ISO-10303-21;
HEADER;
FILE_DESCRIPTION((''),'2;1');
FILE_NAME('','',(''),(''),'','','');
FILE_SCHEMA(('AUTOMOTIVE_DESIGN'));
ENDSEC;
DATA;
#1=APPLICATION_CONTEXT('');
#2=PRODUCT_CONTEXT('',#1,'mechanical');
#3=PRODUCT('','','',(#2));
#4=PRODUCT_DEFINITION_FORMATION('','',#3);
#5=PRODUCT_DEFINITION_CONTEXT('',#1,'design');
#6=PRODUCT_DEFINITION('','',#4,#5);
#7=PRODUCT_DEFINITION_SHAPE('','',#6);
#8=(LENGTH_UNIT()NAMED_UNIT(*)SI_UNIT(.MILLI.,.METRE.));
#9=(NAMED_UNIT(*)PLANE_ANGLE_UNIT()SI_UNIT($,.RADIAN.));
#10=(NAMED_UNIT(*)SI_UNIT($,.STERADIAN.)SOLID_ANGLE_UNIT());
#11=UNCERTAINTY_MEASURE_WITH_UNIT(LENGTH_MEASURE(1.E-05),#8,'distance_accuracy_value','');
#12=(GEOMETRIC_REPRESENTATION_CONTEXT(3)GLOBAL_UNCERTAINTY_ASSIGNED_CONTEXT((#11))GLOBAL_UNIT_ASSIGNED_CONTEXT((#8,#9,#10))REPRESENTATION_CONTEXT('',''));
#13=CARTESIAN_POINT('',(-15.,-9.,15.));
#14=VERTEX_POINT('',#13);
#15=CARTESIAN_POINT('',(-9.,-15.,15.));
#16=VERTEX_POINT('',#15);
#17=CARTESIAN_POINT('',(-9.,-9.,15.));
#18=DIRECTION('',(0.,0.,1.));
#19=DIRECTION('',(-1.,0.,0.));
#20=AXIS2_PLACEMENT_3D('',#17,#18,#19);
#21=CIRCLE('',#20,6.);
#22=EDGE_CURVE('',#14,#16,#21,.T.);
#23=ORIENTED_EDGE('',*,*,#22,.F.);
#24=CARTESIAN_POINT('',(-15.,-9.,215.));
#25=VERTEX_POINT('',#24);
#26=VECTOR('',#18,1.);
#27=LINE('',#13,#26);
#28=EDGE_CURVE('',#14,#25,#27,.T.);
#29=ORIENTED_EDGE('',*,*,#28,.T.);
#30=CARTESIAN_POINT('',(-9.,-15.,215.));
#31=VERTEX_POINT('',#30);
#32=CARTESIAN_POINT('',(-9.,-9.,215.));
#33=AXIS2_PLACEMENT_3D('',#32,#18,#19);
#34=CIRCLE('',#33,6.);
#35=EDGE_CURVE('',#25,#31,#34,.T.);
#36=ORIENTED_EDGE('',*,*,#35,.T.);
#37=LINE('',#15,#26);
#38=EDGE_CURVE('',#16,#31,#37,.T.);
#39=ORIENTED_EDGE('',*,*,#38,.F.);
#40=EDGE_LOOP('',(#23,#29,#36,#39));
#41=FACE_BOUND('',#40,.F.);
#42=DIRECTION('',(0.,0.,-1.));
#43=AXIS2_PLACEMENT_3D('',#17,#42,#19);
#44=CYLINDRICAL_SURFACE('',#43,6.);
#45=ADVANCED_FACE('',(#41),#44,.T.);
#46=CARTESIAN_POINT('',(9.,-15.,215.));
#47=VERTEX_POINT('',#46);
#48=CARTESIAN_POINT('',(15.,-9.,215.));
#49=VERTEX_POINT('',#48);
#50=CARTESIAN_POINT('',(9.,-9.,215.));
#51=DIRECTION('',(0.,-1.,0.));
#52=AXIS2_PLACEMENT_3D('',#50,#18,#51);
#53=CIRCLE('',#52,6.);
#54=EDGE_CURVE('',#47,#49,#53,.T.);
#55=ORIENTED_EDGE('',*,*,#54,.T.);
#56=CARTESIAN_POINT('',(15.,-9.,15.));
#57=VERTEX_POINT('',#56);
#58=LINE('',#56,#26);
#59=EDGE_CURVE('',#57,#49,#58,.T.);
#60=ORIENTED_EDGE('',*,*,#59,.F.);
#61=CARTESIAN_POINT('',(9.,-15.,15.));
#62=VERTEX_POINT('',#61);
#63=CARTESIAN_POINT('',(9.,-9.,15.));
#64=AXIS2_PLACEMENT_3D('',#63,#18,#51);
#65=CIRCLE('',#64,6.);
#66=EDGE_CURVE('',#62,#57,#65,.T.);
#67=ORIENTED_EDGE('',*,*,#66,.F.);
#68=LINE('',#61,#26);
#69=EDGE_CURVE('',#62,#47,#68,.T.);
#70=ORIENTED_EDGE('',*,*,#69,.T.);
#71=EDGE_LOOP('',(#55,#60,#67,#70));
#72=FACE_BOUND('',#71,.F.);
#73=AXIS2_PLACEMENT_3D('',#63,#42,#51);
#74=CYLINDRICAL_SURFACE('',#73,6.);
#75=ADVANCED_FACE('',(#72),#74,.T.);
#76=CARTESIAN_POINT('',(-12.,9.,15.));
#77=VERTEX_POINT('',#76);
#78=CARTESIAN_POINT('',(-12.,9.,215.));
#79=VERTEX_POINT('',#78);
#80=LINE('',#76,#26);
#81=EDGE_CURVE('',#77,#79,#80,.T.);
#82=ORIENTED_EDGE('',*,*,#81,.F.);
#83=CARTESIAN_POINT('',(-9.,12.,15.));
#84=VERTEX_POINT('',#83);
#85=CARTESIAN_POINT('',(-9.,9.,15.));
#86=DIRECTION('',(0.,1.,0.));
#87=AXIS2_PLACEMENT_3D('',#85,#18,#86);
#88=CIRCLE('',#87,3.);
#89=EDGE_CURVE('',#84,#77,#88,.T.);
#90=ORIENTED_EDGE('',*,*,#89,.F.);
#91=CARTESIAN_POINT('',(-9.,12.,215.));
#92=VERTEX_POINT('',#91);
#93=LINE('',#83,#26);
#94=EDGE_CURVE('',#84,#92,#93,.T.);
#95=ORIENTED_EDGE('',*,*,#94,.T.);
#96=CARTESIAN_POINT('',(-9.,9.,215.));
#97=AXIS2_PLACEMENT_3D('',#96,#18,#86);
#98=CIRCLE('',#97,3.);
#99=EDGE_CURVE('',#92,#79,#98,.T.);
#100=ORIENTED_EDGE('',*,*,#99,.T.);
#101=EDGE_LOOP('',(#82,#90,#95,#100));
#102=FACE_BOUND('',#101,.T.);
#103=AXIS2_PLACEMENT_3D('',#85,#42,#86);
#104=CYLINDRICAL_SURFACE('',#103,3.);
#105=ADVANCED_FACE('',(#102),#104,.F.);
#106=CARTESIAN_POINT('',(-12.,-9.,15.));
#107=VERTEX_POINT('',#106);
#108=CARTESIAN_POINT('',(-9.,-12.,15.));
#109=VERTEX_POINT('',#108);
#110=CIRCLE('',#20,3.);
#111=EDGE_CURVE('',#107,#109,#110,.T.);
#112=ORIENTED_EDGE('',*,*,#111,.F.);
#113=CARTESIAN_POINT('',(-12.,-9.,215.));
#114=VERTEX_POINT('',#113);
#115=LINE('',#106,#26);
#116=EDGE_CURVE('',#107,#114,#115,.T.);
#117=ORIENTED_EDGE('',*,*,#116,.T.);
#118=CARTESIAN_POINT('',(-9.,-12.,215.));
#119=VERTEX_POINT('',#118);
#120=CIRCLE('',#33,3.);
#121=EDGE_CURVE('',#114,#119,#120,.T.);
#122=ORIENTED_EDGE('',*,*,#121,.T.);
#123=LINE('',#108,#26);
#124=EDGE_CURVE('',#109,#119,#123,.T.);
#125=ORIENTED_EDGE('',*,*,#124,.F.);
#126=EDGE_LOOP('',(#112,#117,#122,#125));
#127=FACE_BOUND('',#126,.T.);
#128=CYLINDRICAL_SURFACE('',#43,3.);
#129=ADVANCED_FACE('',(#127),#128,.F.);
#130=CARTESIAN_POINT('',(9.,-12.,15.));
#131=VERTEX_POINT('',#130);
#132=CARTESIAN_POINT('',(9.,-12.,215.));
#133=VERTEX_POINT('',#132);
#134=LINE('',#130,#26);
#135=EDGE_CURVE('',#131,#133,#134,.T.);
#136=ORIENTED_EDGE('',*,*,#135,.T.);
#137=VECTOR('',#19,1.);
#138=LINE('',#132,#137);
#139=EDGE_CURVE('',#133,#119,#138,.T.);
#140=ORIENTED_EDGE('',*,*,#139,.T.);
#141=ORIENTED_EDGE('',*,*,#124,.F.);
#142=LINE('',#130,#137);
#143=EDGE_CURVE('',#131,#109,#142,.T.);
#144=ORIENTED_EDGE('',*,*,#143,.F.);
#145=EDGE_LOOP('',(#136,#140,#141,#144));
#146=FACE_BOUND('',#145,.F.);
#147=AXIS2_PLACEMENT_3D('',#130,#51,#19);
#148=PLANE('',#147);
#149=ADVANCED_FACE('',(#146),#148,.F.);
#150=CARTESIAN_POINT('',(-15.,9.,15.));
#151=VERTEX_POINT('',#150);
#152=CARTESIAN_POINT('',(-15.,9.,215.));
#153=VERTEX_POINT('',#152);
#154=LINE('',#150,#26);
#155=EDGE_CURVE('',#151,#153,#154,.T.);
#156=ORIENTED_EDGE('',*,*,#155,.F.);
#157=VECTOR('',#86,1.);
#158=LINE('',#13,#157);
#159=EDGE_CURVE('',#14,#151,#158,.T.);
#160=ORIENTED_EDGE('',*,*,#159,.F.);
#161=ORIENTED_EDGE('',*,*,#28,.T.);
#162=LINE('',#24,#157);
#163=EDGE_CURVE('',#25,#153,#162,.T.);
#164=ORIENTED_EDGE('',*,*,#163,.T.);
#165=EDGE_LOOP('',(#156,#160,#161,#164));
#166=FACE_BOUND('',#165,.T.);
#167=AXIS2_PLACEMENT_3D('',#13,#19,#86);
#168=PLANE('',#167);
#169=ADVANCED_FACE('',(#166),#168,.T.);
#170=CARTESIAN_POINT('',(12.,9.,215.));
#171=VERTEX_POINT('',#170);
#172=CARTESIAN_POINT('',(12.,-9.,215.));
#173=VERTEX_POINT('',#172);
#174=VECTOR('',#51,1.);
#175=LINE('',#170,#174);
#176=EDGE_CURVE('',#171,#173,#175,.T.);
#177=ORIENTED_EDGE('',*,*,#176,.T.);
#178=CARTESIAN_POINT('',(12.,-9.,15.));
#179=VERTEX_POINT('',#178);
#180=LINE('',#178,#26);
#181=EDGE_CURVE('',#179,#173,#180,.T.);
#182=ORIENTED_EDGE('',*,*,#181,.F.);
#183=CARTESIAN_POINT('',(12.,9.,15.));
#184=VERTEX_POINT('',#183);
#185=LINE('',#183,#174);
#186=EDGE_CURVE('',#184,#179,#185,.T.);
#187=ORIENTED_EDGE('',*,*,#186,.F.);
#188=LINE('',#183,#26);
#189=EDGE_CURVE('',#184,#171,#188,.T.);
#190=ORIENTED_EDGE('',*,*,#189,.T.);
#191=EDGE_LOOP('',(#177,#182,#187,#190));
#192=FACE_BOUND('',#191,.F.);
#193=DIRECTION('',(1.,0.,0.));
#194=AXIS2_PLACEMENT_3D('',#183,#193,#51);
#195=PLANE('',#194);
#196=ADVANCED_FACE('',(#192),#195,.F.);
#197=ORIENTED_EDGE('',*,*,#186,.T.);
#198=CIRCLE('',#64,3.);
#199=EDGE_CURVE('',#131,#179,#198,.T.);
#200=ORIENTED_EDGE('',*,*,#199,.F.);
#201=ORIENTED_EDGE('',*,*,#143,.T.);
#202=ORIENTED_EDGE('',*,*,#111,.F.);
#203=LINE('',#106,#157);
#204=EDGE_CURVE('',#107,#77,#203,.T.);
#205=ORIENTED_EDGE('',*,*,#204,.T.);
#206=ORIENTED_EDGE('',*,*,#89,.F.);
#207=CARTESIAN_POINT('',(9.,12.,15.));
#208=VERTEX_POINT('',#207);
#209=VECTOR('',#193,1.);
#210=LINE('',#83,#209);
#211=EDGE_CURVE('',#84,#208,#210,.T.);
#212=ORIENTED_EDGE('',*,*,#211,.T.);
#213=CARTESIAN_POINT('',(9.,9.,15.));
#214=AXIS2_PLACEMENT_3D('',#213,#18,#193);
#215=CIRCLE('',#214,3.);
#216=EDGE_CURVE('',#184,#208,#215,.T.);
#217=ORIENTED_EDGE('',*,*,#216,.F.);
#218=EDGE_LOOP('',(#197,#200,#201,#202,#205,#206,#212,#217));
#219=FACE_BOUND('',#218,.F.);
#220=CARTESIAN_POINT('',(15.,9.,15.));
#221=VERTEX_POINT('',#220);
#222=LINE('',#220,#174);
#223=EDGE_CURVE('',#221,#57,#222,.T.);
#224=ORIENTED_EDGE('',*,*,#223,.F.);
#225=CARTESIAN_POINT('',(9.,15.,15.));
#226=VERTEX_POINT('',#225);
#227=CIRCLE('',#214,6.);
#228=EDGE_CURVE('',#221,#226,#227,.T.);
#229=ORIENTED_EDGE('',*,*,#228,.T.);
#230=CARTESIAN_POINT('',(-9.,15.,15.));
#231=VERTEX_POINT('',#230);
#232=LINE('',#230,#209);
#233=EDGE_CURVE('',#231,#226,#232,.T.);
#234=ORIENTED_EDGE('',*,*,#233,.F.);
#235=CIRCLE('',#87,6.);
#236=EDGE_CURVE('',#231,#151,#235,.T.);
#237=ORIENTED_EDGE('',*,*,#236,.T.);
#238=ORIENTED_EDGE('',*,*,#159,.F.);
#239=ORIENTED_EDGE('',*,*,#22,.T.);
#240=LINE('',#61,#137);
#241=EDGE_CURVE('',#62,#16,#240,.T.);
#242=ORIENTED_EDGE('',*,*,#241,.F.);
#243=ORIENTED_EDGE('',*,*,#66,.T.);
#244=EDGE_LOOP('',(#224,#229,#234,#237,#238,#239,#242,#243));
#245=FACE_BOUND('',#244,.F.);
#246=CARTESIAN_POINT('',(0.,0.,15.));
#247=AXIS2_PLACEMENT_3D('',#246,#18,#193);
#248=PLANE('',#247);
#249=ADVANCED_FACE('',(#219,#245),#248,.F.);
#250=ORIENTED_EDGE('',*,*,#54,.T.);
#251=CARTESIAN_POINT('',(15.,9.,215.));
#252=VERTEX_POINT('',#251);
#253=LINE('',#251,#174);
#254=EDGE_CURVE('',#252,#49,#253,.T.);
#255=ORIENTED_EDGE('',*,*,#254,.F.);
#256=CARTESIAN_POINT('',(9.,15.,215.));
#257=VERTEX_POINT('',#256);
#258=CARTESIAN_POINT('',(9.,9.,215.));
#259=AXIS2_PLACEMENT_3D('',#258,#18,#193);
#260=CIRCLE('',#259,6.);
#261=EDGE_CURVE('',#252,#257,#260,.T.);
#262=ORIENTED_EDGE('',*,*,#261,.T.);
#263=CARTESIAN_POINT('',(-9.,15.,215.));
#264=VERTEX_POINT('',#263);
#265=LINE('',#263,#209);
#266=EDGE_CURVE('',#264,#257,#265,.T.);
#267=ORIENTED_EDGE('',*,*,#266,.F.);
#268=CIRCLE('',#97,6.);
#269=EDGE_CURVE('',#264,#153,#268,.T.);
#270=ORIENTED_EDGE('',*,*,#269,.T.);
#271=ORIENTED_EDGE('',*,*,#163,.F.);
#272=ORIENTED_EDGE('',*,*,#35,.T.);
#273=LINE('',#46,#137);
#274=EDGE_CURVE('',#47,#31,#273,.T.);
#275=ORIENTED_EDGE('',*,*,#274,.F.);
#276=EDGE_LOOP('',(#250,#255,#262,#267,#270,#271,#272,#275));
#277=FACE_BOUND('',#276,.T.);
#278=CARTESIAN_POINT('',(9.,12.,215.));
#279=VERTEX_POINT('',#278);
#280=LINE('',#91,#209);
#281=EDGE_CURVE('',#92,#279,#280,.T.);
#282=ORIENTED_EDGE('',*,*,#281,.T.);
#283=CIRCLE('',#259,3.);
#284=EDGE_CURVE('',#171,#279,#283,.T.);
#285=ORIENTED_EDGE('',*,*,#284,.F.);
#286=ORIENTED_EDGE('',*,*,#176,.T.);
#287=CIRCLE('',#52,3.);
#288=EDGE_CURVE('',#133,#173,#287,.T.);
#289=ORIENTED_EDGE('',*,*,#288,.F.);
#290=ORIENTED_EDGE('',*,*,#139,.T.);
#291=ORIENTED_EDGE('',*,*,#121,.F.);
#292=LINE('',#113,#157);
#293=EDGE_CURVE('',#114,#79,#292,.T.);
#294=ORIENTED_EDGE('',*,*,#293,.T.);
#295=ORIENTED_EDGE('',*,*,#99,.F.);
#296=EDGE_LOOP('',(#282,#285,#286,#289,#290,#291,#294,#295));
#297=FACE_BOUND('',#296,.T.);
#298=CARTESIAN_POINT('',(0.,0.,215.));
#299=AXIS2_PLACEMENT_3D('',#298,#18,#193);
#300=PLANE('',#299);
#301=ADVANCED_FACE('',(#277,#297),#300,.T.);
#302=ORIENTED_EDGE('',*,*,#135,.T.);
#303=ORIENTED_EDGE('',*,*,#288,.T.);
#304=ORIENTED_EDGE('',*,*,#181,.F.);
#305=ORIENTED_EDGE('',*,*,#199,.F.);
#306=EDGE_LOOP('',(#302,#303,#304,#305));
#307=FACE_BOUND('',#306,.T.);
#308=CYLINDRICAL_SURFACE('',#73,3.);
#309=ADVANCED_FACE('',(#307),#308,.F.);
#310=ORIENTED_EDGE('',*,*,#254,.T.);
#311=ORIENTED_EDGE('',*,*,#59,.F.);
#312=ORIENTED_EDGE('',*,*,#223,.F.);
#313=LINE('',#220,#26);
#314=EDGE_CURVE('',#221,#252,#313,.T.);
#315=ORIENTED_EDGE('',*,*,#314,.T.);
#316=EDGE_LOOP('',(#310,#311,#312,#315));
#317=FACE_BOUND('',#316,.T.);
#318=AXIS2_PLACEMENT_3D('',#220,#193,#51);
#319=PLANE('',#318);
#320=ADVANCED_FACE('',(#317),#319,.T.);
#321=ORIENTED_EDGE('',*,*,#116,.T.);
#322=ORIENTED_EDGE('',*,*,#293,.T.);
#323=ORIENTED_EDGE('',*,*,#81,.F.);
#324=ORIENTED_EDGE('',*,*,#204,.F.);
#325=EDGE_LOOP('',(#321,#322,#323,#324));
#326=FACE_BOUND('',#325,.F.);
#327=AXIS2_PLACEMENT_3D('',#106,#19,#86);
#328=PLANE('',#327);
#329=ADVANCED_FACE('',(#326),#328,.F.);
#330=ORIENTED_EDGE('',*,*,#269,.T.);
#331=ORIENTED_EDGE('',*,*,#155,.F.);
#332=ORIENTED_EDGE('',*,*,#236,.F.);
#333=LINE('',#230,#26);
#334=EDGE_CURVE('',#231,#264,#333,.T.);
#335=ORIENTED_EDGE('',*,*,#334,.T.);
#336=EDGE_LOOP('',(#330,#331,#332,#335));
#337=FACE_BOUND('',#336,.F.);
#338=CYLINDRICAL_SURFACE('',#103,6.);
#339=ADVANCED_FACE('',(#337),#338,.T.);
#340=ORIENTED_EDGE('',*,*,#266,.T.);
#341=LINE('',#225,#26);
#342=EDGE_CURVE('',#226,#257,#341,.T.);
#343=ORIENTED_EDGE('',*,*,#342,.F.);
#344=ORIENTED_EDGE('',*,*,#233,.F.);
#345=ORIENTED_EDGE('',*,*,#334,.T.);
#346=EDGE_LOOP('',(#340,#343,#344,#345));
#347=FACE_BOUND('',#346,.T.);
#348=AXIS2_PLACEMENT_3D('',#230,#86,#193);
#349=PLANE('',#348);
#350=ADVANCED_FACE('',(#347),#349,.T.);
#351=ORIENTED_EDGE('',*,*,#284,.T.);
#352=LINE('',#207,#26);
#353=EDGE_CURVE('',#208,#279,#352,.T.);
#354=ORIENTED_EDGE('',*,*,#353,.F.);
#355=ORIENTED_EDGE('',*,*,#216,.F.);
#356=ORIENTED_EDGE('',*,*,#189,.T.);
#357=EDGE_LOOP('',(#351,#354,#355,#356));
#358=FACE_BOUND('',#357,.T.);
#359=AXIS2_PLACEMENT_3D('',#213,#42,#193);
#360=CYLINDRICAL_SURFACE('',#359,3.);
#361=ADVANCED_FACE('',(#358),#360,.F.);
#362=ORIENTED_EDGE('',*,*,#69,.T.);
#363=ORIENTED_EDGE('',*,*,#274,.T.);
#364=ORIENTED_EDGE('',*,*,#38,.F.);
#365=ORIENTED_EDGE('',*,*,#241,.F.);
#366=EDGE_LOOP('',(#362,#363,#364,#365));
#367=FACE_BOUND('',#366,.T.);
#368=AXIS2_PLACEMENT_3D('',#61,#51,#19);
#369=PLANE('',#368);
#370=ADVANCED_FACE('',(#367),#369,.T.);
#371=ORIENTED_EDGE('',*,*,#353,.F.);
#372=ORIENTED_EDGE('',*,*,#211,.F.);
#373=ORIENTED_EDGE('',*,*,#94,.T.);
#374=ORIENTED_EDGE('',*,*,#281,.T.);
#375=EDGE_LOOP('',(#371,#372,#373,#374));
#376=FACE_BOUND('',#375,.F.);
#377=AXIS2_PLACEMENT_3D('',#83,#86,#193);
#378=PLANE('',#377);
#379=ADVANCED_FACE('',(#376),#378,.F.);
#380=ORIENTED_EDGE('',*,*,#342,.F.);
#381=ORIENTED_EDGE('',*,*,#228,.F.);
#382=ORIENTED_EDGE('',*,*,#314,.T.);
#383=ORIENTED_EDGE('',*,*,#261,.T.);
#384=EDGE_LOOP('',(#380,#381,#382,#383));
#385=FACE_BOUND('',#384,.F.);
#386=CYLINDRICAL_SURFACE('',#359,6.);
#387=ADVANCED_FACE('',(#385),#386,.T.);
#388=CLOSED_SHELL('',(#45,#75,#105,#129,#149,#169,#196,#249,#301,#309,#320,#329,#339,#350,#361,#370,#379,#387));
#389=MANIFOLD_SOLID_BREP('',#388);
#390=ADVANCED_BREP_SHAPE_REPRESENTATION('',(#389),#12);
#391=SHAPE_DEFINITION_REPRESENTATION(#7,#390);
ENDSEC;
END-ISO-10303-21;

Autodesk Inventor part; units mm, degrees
ref_plane "Start Plane" through (0, 0, 15) normal (0, 0, 1) x (1, 0, 0)
ref_plane "End Plane" through (0, 0, 215) normal (0, 0, 1) x (1, 0, 0)
sketch "Sketch" plane through (0, 0, 0) normal (0, 0, 1) x (1, 0, 0)
  line L0 (-15, -9) -> (-15, 9)
  line L1 (-9, 15) -> (9, 15)
  line L2 (15, 9) -> (15, -9)
  line L3 (9, -15) -> (-9, -15)
  arc A0 (-15, -9) -> (-9, -15) centre (-9, -9) ccw
  arc A1 (-9, 15) -> (-15, 9) centre (-9, 9) ccw
  arc A2 (15, 9) -> (9, 15) centre (9, 9) ccw
  arc A3 (9, -15) -> (15, -9) centre (9, -9) ccw
  arc A4 (-9, 12) -> (-12, 9) centre (-9, 9) ccw
  line L4 (-9, 12) -> (9, 12)
  arc A5 (12, 9) -> (9, 12) centre (9, 9) ccw
  line L5 (12, 9) -> (12, -9)
  arc A6 (9, -12) -> (12, -9) centre (9, -9) ccw
  line L6 (9, -12) -> (-9, -12)
  arc A7 (-12, -9) -> (-9, -12) centre (-9, -9) ccw
  line L7 (-12, -9) -> (-12, 9)
  line L8 (0, 22.7397) -> (0, -22.7397) construction
  line L9 (-22.7397, 0) -> (22.7397, 0) construction
  dimension "d7" = 6
  dimension "d10" = 30
  dimension "d11" = 30
  dimension "d12" = 3
  dimension "d15" = 15
  dimension "d16" = 15
extrude "Body" add sketch "Sketch" along normal up to surface (200 mm away) from surface at 15
sketch "Sketch3" plane through (0, 0, 0) normal (0, 0, 1) x (1, 0, 0)
  line L0 (0, 0) -> (10, 0)
ref_plane "Work Plane3" through (0, 0, 0) normal (0, -1, 0) x (1, 0, 0)
ref_plane "Work Plane4" through (-9, 1200, 15) normal (0, 0, -1) x (-1, 0, 0)
split "Split1" plane through (-9, 1200, 15) removes the side toward (0, 0, -1)
ref_plane "Work Plane5" through (-9, 0, 215) normal (0, 0, 1) x (1, 0, 0)
split "Split2" plane through (-9, 0, 215) removes the side toward (0, 0, 1)
sketch "Sketch4" plane through (0, 0, 0) normal (0, -1, 0) x (1, 0, 0)
  line L0 (-2, 15) -> (12, 15) projected
  line L1 (-2, 215) -> (12, 215) projected
  dimension "d18" = 200
equation "\"d7\" = G_IR"
equation "\"d10\" = G_H"
equation "\"d11\" = G_W"
equation "\"d12\" = G_T"
equation "\"d15\" = 0.5 * d10"
equation "\"d16\" = 0.5 * d11"
equation "\"d3\" = G_L"
equation "\"G_W\" = 30"
equation "\"G_H\" = 30"
equation "\"G_T\" = 3"
equation "\"G_IR\" = 6"
equation "\"G_L\" = d18"
equation "\"G_OFFSET_START\" = -15"
equation "\"G_OFFSET_END\" = -15"
equation "\"d13\" = -G_OFFSET_START"
equation "\"d14\" = G_OFFSET_END + B_L"
equation "\"B_L\" = 230"
properties part number "DIN EN 10219-2 - 30 x 30 x 3  - 200" material "Steel, Mild"
